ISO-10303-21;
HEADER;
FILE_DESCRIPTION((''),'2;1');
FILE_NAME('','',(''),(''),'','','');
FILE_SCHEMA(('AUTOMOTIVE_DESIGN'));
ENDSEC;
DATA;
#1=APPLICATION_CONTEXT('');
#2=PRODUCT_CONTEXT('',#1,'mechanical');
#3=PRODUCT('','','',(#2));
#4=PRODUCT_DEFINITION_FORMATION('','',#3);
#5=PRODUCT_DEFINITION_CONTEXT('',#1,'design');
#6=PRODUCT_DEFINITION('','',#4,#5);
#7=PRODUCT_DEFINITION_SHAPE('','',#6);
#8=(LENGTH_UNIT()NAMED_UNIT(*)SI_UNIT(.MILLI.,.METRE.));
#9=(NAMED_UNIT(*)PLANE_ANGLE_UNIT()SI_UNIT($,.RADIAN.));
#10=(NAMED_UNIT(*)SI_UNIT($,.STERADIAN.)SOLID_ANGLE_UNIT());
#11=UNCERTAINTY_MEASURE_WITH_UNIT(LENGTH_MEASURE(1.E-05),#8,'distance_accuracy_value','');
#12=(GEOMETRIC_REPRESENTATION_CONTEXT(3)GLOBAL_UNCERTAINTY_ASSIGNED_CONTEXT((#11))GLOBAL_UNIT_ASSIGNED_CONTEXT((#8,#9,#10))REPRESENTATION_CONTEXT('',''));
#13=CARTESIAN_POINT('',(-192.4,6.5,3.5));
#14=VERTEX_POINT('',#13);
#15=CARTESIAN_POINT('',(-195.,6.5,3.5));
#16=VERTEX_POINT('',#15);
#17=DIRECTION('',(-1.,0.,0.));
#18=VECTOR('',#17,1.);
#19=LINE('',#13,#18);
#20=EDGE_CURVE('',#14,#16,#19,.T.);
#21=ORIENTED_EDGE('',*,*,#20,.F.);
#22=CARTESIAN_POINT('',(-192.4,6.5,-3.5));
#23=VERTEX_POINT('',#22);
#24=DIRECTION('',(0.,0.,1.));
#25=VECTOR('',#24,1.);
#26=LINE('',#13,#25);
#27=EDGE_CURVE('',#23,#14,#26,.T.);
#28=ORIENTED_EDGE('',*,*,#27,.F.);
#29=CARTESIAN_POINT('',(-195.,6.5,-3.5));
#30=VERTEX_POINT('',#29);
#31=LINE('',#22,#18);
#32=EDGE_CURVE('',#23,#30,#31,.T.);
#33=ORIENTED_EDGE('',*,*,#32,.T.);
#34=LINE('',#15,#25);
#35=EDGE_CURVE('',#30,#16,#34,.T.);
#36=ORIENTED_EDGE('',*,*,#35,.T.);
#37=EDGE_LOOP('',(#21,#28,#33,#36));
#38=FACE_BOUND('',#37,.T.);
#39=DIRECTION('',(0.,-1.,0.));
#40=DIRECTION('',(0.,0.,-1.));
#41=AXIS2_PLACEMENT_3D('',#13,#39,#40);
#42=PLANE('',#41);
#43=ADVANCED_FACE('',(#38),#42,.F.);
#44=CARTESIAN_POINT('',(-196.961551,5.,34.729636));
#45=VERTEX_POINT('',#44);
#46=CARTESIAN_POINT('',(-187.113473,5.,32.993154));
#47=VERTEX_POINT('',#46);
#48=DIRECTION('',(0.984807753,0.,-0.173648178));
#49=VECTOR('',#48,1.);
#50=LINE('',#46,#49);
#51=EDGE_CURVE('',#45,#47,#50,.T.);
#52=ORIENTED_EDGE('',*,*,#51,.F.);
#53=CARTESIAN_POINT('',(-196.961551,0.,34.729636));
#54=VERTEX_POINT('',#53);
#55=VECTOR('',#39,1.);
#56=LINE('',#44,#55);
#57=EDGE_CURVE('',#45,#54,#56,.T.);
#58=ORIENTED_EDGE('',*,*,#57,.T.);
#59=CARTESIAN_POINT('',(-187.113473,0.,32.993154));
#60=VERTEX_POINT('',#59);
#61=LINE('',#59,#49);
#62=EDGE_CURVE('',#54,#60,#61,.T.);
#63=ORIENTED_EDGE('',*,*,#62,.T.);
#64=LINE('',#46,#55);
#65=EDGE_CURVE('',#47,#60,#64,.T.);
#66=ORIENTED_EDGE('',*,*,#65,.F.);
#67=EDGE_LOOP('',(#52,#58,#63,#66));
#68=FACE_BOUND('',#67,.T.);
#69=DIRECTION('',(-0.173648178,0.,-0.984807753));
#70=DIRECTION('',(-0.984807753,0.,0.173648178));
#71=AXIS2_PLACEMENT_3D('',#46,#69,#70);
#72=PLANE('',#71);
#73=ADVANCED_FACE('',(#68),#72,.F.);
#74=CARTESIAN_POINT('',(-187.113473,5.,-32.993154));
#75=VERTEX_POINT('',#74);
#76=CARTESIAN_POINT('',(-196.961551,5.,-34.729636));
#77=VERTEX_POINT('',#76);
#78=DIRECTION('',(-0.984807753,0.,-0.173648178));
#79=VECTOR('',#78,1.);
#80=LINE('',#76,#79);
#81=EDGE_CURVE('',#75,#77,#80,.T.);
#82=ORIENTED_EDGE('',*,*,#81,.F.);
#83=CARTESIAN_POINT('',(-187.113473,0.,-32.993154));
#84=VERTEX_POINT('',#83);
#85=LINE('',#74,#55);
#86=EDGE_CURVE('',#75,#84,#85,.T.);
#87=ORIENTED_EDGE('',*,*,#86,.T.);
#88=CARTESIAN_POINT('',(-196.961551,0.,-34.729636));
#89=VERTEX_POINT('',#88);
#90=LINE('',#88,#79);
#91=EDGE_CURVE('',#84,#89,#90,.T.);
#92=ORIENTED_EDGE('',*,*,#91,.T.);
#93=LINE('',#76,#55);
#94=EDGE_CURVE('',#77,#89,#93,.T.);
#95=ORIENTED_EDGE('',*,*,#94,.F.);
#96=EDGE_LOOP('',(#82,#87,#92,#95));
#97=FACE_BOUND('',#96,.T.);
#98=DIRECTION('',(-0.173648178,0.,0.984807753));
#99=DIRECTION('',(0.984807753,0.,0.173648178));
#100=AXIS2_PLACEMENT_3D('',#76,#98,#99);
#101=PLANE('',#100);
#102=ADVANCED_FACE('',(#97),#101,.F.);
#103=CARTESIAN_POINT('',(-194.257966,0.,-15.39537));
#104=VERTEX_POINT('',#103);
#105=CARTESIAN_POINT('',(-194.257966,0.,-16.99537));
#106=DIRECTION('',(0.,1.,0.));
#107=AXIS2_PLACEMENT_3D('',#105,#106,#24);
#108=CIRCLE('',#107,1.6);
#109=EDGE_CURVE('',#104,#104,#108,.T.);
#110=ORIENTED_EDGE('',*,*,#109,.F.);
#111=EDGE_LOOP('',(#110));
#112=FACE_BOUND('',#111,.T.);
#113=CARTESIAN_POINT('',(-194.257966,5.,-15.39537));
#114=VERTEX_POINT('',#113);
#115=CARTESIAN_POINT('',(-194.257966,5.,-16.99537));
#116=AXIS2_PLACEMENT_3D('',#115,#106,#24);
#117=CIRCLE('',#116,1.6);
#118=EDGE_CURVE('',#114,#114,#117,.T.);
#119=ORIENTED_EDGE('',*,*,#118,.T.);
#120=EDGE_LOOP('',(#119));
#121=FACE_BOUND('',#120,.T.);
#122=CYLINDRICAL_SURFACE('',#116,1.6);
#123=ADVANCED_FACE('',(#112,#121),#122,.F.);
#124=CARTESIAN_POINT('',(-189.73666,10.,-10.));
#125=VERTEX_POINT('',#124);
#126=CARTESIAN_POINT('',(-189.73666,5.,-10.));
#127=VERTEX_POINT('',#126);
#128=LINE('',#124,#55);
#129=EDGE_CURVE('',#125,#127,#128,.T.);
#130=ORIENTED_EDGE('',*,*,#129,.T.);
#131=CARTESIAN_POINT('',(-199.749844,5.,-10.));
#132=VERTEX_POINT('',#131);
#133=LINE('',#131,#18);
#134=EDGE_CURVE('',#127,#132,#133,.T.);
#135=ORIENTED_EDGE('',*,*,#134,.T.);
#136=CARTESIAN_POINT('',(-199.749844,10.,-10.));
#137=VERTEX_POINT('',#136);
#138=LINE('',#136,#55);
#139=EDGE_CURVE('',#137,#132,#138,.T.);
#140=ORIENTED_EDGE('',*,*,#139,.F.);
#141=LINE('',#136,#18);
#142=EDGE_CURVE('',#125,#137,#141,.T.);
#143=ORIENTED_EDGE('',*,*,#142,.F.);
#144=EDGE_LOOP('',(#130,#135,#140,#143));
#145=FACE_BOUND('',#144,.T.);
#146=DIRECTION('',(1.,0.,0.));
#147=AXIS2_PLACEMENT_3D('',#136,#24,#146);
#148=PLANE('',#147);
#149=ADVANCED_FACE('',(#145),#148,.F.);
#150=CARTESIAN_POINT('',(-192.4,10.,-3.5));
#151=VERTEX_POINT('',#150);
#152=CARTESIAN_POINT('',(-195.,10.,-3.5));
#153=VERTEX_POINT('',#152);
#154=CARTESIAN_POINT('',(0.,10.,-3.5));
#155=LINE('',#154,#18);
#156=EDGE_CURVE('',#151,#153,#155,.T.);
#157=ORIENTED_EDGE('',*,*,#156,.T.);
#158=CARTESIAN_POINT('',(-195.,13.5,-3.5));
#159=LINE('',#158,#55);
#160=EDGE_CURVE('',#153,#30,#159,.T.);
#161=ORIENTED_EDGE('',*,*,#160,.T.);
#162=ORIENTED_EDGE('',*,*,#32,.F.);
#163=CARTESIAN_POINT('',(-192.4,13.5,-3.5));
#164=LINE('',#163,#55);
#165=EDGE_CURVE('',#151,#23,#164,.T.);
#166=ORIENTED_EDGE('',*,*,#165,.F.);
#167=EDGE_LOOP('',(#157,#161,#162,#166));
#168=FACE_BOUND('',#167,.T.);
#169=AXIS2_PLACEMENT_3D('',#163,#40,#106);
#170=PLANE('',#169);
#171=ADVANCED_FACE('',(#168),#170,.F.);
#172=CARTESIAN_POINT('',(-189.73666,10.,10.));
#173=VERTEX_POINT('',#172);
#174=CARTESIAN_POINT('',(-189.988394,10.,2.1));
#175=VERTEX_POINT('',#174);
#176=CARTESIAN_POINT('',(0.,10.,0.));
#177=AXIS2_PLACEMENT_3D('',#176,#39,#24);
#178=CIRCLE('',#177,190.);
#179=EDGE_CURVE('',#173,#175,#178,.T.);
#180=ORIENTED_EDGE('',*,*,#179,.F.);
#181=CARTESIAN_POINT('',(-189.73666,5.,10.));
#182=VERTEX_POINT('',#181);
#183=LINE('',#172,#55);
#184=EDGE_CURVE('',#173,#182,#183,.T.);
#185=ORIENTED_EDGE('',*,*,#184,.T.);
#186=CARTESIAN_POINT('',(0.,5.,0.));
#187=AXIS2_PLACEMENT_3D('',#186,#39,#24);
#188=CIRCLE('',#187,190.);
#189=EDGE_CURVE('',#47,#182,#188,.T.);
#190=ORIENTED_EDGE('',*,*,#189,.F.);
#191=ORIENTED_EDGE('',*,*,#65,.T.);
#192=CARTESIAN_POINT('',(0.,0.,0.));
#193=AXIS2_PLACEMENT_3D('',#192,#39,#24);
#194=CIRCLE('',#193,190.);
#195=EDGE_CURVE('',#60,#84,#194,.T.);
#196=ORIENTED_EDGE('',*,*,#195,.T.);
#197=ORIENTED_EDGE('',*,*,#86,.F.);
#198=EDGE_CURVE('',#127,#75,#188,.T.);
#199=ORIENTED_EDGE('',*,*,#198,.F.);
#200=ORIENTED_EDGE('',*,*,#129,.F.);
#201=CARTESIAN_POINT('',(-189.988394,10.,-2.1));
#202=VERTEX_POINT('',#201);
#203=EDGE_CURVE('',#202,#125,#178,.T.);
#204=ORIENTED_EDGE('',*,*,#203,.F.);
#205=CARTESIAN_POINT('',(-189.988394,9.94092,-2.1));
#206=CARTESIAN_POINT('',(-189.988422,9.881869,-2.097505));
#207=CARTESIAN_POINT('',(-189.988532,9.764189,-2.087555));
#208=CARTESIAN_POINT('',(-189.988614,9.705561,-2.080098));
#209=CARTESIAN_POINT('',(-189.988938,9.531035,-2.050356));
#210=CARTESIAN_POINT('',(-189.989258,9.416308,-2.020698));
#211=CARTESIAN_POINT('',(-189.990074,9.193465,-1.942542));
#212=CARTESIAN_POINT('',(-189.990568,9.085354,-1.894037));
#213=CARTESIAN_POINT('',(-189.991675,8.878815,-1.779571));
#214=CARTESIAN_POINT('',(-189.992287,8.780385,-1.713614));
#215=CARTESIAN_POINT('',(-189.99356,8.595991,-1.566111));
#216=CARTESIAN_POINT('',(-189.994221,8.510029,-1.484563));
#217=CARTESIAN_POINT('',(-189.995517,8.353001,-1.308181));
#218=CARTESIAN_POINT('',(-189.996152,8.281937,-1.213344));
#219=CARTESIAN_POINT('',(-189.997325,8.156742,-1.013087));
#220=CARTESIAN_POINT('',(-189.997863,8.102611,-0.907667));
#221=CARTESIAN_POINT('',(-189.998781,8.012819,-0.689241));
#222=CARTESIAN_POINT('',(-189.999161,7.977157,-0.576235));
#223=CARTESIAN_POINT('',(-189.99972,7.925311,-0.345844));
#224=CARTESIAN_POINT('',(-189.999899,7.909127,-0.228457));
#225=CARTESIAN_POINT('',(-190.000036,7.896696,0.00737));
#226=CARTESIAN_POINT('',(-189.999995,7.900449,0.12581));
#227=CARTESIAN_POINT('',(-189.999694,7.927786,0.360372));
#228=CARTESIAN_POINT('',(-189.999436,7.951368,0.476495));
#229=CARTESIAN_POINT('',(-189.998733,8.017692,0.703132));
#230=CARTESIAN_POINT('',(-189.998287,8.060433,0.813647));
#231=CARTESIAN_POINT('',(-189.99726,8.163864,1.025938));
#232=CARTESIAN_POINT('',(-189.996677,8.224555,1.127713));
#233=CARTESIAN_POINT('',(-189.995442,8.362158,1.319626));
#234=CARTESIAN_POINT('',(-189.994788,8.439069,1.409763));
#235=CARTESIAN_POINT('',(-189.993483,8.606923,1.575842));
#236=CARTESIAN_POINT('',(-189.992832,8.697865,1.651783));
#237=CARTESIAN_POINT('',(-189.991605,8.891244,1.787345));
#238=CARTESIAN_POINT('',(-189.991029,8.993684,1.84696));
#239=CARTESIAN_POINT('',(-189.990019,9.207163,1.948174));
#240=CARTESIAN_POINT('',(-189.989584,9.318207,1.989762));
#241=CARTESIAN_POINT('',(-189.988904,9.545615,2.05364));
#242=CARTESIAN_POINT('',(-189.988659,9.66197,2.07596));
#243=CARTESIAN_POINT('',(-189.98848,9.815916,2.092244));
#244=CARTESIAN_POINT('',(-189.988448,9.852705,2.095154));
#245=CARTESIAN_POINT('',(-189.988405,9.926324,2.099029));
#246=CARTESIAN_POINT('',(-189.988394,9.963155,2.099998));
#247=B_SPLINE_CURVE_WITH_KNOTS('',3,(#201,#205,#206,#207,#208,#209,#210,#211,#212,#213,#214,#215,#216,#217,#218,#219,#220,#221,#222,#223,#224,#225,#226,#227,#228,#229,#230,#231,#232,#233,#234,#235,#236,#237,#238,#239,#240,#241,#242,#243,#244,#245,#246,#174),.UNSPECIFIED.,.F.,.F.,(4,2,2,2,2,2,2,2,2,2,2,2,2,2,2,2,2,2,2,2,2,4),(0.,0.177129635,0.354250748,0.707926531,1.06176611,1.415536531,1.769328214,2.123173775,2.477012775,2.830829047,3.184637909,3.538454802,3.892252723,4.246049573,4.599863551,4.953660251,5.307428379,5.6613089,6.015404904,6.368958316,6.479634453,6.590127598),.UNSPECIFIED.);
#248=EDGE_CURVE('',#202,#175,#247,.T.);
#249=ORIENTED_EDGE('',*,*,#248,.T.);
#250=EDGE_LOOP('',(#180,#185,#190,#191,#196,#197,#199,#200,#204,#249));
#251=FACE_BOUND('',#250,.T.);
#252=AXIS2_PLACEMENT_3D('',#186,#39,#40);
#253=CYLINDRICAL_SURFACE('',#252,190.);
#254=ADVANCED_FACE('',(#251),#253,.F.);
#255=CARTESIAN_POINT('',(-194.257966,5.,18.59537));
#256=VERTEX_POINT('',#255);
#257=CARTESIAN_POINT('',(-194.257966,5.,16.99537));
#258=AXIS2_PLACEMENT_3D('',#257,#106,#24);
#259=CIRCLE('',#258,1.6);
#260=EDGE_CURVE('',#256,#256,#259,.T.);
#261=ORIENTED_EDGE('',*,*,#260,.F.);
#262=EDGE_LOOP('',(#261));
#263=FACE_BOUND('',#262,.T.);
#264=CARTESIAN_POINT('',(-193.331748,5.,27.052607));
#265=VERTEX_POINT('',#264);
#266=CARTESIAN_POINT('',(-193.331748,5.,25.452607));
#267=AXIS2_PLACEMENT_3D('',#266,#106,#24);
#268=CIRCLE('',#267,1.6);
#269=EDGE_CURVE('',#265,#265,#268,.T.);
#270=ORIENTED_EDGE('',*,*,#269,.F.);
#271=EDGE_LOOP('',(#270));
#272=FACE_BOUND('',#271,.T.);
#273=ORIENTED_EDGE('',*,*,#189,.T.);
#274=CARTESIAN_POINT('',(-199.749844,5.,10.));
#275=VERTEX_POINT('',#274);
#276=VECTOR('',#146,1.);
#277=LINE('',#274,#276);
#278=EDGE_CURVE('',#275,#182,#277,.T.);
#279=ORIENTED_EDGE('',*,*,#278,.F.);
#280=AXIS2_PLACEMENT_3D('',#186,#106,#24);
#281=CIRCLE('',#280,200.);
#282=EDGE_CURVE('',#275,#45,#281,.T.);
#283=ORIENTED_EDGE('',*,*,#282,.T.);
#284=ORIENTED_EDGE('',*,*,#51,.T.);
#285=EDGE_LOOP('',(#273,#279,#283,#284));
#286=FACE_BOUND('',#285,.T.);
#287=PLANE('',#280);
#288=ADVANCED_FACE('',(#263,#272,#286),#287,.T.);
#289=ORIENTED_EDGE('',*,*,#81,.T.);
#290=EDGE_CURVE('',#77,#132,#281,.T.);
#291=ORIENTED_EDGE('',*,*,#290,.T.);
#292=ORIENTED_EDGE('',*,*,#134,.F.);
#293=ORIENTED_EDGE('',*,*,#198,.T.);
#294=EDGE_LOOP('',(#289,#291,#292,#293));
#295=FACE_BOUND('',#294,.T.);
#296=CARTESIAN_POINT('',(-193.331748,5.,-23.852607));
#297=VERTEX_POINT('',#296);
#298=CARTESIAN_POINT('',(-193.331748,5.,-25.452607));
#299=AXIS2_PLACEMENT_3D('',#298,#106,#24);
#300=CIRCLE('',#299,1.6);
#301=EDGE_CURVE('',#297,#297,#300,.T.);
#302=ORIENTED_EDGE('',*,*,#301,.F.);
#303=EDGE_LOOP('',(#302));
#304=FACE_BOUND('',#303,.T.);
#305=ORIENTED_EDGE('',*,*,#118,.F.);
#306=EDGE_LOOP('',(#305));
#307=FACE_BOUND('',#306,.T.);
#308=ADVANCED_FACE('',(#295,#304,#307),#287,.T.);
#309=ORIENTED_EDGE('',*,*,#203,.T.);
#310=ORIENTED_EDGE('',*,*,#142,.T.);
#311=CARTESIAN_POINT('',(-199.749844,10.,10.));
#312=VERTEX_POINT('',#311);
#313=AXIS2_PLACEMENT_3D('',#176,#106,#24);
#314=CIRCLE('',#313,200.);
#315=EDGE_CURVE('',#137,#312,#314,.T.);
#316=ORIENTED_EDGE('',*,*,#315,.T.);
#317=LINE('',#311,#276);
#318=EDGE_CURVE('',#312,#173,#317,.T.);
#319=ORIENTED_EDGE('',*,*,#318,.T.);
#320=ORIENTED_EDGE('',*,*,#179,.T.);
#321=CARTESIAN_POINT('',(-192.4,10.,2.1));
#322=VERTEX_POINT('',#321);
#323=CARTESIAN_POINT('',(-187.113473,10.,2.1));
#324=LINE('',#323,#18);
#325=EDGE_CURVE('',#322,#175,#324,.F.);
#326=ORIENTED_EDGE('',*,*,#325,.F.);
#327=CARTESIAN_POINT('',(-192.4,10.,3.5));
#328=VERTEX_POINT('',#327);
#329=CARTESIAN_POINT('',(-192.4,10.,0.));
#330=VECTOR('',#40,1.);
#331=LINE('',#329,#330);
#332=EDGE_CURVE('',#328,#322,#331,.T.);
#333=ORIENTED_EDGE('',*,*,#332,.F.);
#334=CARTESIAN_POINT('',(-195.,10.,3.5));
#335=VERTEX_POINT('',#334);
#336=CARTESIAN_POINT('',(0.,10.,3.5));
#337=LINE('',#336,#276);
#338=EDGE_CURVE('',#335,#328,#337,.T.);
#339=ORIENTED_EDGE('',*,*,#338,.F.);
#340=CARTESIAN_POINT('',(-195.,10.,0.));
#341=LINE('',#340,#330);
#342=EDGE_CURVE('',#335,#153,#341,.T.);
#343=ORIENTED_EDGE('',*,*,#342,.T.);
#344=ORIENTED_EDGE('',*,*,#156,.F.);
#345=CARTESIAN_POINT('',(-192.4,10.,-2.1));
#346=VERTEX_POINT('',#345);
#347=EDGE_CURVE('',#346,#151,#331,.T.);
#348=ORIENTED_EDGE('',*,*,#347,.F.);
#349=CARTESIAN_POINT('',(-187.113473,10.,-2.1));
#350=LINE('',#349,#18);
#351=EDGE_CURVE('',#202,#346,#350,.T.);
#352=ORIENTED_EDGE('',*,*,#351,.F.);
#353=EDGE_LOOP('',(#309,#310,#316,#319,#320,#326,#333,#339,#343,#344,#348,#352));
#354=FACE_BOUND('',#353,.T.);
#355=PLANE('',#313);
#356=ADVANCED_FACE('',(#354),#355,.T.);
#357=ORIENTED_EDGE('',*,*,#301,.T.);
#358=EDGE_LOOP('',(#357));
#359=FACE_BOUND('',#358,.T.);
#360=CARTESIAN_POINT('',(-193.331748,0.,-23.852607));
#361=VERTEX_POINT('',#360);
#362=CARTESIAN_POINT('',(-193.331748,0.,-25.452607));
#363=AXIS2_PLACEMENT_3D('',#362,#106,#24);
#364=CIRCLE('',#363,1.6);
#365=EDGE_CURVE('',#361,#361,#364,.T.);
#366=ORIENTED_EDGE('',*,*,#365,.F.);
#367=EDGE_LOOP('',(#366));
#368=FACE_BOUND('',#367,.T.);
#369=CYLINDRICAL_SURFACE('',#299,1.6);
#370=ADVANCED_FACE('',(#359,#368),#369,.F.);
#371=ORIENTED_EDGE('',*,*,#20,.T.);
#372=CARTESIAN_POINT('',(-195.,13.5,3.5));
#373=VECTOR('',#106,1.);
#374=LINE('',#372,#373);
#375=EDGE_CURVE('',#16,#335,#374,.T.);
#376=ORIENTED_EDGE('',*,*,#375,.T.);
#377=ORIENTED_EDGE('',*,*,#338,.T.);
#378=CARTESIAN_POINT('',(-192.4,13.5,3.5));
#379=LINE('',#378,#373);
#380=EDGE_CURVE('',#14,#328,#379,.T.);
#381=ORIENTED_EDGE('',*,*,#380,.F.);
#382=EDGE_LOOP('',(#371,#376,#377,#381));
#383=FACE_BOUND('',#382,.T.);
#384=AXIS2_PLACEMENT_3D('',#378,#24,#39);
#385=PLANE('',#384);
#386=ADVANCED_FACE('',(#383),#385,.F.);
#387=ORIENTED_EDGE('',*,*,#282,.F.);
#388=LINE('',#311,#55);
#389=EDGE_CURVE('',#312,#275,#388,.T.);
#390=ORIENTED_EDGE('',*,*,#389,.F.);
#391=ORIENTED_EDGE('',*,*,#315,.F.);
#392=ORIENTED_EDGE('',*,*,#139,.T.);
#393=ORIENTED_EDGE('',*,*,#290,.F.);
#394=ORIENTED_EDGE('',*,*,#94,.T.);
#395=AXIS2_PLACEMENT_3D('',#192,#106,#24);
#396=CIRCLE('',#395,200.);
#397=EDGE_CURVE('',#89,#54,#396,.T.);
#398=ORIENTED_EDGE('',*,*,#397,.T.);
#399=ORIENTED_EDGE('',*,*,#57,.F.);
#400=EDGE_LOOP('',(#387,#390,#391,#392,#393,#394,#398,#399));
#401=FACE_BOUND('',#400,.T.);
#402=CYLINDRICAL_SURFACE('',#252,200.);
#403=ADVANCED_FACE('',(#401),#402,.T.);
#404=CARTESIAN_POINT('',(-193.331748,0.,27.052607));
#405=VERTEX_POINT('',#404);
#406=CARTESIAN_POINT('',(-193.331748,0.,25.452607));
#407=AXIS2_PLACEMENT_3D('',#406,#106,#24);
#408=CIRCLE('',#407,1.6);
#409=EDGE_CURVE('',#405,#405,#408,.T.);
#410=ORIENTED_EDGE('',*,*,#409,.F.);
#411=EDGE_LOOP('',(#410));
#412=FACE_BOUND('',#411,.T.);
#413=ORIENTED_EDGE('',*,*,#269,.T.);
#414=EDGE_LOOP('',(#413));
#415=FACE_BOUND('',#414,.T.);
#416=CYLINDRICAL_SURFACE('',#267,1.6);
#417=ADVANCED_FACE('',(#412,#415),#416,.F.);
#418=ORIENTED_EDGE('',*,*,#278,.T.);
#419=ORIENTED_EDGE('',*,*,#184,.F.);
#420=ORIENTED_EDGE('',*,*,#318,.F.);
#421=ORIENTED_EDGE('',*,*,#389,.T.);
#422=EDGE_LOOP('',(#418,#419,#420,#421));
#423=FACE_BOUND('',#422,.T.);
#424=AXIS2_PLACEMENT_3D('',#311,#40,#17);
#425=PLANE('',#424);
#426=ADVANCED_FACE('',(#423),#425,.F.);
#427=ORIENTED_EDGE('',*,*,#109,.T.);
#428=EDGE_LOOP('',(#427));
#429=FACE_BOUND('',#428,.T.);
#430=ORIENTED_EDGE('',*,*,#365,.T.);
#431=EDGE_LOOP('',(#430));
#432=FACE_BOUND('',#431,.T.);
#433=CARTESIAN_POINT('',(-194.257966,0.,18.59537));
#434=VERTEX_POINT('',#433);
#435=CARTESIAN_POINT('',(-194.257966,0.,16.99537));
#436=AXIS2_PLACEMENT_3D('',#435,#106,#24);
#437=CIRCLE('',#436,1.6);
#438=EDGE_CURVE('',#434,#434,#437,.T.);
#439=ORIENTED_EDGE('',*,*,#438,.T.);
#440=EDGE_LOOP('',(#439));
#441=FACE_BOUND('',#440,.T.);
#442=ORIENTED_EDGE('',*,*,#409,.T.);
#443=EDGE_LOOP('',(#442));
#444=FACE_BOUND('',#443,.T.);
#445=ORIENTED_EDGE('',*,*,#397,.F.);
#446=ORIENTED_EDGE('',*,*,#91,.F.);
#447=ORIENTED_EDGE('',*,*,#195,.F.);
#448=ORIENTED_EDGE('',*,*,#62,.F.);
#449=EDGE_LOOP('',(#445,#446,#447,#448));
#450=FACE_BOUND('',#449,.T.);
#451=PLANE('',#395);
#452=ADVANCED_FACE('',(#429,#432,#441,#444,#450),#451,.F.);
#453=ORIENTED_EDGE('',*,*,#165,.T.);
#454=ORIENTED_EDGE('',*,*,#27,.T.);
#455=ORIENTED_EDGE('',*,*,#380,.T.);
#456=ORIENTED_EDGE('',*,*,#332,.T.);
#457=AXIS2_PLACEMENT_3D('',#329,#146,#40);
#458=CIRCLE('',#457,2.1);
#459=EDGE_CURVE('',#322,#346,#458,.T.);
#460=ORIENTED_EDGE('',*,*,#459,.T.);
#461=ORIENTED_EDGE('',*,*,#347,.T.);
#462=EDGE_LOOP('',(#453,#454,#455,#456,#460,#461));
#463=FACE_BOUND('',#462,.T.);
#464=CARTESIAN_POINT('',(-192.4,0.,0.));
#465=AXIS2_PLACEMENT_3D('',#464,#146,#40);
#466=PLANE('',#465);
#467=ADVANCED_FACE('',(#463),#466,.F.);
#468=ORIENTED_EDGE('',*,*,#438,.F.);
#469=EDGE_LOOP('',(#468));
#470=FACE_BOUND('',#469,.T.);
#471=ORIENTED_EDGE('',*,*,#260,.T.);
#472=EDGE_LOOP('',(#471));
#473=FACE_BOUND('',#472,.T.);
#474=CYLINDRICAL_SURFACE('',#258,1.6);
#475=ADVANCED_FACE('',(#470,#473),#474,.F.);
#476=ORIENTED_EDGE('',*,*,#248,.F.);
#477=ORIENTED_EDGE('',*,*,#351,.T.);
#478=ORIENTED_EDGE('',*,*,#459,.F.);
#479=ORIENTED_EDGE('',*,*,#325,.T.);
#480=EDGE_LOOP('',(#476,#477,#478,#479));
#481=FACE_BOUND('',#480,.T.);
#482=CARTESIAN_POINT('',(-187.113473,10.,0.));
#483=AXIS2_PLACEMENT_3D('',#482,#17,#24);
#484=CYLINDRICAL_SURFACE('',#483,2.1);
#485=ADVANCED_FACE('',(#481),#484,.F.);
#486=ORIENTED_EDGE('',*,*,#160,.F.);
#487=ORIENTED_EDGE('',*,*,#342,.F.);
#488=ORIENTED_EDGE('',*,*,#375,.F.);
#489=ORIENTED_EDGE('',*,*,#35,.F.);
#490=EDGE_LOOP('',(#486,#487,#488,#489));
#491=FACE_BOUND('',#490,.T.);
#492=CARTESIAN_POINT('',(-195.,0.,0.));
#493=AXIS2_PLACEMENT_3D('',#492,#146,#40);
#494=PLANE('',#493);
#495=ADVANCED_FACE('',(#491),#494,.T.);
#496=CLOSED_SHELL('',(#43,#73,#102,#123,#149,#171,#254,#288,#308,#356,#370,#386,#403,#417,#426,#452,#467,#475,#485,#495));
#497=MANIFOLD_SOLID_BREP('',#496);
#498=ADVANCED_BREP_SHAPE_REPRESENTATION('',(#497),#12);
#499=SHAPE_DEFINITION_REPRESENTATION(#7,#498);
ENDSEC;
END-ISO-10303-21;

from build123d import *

# Parameters (mm, degrees)
BOSS_EXTRUDE1_DEPTH        = 5
BOSS_EXTRUDE2_DEPTH        = 5
SKETCH10_W                 = 7
SKETCH10_H                 = 7
CUT_EXTRUDE2_DEPTH         = 2.6
SKETCH11_R                 = 2.1
CUT_EXTRUDE3_DEPTH         = 37.99114612
F_3_2_3_2_DIAMETER_HOLE1_D = 3.2


with BuildPart() as part:
    # Sketch1 → Boss-Extrude1 (new body)
    with BuildSketch(Plane(origin=(0, 0, 0), x_dir=(1, 0, 0), z_dir=(0, 1, 0))):
        with BuildLine():
            Line((-196.961550602, 34.729635533), (-187.113473072, 32.993153757))
            ThreePointArc((-187.113473072, 32.993153757), (-190, 0), (-187.113473072, -32.993153757))
            Line((-187.113473072, -32.993153757), (-196.961550602, -34.729635533))
            ThreePointArc((-196.961550602, -34.729635533), (-200, 0), (-196.961550602, 34.729635533))
        make_face()
    extrude(amount=BOSS_EXTRUDE1_DEPTH)

    # Sketch9 → Boss-Extrude2 (add)
    with BuildSketch(Plane(origin=(0, 5, 0), x_dir=(1, 0, 0), z_dir=(0, 1, 0))):
        with BuildLine():
            Line((-199.749843554, 10), (-189.73665961, 10))
            ThreePointArc((-189.73665961, 10), (-190, 0), (-189.73665961, -10))
            Line((-189.73665961, -10), (-199.749843554, -10))
            ThreePointArc((-199.749843554, -10), (-200, 0), (-199.749843554, 10))
        make_face()
    extrude(amount=BOSS_EXTRUDE2_DEPTH)

    # Sketch10 → Cut-Extrude2 (cut)
    with BuildSketch(Plane.ZY.offset(195)):
        with Locations((0, 10)):
            Rectangle(SKETCH10_W, SKETCH10_H)
    extrude(amount=-CUT_EXTRUDE2_DEPTH, mode=Mode.SUBTRACT)

    # Sketch11 → Cut-Extrude3 (cut, through all)
    with BuildSketch(Plane.ZY.offset(195)):
        with Locations((0, 10)):
            Circle(SKETCH11_R)
    extrude(amount=-CUT_EXTRUDE3_DEPTH, mode=Mode.SUBTRACT)

    # Ø3.2 (3.2) Diameter Hole1 (through all)
    with Locations(Plane(origin=(0, 5, 0), x_dir=(1, 0, 0), z_dir=(0, 1, 0))):
        with Locations((-194.257966128, 16.995369836), (-193.331747968, 25.452607483), (-194.257966128, -16.995369836), (-193.331747968, -25.452607483)):
            Hole(F_3_2_3_2_DIAMETER_HOLE1_D / 2)


solid = part.part
